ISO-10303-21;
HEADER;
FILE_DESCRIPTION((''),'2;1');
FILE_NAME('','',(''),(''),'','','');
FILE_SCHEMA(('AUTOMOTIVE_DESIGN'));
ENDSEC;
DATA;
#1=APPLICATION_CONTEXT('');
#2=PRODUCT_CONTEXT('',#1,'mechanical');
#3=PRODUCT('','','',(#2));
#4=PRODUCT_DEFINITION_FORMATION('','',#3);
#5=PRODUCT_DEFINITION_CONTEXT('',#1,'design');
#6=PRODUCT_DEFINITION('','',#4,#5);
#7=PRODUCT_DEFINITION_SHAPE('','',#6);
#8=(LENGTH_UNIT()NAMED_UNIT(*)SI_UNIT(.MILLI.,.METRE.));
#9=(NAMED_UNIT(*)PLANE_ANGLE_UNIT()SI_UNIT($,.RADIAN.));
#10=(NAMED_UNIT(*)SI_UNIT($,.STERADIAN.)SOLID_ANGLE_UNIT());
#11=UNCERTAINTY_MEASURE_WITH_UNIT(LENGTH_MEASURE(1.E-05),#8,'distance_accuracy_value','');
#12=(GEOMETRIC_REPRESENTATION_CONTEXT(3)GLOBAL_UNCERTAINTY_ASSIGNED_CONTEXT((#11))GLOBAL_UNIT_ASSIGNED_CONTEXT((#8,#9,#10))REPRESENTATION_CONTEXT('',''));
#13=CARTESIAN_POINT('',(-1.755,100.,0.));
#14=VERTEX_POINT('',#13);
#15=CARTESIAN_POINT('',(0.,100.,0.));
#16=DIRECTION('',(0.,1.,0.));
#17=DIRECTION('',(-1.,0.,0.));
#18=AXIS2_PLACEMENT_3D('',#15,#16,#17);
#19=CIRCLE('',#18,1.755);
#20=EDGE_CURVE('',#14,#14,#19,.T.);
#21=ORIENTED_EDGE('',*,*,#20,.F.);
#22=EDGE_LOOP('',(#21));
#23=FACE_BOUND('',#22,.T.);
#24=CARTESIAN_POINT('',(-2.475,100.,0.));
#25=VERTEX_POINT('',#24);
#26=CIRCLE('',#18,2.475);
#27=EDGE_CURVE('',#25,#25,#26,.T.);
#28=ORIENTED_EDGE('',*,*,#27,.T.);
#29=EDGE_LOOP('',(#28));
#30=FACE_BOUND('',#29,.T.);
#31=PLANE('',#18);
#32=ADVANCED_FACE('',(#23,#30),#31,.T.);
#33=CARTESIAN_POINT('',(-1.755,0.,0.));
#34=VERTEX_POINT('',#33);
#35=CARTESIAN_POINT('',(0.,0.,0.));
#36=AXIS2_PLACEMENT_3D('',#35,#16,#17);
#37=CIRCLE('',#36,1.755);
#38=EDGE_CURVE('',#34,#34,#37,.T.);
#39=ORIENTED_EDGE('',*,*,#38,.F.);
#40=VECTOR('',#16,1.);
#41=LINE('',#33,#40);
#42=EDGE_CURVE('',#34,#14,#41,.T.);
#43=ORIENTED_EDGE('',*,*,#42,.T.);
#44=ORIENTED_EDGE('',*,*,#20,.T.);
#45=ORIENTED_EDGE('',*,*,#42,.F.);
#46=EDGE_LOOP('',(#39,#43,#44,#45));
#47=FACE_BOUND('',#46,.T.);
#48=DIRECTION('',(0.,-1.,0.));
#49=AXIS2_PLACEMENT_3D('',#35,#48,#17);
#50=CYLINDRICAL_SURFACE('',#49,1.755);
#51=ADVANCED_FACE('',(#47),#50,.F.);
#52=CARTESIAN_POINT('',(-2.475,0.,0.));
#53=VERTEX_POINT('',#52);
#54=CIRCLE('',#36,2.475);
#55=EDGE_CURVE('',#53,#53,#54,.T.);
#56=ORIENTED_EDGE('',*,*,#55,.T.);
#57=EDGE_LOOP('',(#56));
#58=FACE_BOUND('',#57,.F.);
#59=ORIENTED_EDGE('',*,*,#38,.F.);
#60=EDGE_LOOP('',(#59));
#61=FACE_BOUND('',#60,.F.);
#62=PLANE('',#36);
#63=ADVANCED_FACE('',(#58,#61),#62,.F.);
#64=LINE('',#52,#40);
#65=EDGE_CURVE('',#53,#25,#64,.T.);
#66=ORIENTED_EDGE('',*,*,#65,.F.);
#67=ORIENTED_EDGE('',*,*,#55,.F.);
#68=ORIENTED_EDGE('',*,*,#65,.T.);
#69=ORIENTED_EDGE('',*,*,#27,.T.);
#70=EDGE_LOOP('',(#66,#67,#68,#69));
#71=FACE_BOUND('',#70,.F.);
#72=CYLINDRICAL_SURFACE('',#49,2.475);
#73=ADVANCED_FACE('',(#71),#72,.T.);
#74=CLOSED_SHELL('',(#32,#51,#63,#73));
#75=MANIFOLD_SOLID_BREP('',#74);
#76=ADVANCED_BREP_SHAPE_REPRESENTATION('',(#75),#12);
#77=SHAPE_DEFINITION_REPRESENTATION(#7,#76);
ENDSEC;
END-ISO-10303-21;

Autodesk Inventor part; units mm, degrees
ref_plane "YZ Plane" through (0, 0, 0) normal (1, 0, 0) x (0, 1, 0)
ref_plane "XZ Plane" through (0, 0, 0) normal (0, 1, 0) x (-1, 0, 0)
ref_plane "XY Plane" through (0, 0, 0) normal (0, 0, 1) x (1, 0, 0)
sketch "Sketch1" plane through (0, 0, 0) normal (0, 1, 0) x (-1, 0, 0)
  circle A0 centre (0, 0) radius 2.475
  circle A1 centre (0, 0) radius 1.755
  dimension "d0" = 4.95
  dimension "d1" = 3.51
extrude "Extrusion1" add sketch "Sketch1" along normal blind 100
properties part number "Outer_Jacket"
